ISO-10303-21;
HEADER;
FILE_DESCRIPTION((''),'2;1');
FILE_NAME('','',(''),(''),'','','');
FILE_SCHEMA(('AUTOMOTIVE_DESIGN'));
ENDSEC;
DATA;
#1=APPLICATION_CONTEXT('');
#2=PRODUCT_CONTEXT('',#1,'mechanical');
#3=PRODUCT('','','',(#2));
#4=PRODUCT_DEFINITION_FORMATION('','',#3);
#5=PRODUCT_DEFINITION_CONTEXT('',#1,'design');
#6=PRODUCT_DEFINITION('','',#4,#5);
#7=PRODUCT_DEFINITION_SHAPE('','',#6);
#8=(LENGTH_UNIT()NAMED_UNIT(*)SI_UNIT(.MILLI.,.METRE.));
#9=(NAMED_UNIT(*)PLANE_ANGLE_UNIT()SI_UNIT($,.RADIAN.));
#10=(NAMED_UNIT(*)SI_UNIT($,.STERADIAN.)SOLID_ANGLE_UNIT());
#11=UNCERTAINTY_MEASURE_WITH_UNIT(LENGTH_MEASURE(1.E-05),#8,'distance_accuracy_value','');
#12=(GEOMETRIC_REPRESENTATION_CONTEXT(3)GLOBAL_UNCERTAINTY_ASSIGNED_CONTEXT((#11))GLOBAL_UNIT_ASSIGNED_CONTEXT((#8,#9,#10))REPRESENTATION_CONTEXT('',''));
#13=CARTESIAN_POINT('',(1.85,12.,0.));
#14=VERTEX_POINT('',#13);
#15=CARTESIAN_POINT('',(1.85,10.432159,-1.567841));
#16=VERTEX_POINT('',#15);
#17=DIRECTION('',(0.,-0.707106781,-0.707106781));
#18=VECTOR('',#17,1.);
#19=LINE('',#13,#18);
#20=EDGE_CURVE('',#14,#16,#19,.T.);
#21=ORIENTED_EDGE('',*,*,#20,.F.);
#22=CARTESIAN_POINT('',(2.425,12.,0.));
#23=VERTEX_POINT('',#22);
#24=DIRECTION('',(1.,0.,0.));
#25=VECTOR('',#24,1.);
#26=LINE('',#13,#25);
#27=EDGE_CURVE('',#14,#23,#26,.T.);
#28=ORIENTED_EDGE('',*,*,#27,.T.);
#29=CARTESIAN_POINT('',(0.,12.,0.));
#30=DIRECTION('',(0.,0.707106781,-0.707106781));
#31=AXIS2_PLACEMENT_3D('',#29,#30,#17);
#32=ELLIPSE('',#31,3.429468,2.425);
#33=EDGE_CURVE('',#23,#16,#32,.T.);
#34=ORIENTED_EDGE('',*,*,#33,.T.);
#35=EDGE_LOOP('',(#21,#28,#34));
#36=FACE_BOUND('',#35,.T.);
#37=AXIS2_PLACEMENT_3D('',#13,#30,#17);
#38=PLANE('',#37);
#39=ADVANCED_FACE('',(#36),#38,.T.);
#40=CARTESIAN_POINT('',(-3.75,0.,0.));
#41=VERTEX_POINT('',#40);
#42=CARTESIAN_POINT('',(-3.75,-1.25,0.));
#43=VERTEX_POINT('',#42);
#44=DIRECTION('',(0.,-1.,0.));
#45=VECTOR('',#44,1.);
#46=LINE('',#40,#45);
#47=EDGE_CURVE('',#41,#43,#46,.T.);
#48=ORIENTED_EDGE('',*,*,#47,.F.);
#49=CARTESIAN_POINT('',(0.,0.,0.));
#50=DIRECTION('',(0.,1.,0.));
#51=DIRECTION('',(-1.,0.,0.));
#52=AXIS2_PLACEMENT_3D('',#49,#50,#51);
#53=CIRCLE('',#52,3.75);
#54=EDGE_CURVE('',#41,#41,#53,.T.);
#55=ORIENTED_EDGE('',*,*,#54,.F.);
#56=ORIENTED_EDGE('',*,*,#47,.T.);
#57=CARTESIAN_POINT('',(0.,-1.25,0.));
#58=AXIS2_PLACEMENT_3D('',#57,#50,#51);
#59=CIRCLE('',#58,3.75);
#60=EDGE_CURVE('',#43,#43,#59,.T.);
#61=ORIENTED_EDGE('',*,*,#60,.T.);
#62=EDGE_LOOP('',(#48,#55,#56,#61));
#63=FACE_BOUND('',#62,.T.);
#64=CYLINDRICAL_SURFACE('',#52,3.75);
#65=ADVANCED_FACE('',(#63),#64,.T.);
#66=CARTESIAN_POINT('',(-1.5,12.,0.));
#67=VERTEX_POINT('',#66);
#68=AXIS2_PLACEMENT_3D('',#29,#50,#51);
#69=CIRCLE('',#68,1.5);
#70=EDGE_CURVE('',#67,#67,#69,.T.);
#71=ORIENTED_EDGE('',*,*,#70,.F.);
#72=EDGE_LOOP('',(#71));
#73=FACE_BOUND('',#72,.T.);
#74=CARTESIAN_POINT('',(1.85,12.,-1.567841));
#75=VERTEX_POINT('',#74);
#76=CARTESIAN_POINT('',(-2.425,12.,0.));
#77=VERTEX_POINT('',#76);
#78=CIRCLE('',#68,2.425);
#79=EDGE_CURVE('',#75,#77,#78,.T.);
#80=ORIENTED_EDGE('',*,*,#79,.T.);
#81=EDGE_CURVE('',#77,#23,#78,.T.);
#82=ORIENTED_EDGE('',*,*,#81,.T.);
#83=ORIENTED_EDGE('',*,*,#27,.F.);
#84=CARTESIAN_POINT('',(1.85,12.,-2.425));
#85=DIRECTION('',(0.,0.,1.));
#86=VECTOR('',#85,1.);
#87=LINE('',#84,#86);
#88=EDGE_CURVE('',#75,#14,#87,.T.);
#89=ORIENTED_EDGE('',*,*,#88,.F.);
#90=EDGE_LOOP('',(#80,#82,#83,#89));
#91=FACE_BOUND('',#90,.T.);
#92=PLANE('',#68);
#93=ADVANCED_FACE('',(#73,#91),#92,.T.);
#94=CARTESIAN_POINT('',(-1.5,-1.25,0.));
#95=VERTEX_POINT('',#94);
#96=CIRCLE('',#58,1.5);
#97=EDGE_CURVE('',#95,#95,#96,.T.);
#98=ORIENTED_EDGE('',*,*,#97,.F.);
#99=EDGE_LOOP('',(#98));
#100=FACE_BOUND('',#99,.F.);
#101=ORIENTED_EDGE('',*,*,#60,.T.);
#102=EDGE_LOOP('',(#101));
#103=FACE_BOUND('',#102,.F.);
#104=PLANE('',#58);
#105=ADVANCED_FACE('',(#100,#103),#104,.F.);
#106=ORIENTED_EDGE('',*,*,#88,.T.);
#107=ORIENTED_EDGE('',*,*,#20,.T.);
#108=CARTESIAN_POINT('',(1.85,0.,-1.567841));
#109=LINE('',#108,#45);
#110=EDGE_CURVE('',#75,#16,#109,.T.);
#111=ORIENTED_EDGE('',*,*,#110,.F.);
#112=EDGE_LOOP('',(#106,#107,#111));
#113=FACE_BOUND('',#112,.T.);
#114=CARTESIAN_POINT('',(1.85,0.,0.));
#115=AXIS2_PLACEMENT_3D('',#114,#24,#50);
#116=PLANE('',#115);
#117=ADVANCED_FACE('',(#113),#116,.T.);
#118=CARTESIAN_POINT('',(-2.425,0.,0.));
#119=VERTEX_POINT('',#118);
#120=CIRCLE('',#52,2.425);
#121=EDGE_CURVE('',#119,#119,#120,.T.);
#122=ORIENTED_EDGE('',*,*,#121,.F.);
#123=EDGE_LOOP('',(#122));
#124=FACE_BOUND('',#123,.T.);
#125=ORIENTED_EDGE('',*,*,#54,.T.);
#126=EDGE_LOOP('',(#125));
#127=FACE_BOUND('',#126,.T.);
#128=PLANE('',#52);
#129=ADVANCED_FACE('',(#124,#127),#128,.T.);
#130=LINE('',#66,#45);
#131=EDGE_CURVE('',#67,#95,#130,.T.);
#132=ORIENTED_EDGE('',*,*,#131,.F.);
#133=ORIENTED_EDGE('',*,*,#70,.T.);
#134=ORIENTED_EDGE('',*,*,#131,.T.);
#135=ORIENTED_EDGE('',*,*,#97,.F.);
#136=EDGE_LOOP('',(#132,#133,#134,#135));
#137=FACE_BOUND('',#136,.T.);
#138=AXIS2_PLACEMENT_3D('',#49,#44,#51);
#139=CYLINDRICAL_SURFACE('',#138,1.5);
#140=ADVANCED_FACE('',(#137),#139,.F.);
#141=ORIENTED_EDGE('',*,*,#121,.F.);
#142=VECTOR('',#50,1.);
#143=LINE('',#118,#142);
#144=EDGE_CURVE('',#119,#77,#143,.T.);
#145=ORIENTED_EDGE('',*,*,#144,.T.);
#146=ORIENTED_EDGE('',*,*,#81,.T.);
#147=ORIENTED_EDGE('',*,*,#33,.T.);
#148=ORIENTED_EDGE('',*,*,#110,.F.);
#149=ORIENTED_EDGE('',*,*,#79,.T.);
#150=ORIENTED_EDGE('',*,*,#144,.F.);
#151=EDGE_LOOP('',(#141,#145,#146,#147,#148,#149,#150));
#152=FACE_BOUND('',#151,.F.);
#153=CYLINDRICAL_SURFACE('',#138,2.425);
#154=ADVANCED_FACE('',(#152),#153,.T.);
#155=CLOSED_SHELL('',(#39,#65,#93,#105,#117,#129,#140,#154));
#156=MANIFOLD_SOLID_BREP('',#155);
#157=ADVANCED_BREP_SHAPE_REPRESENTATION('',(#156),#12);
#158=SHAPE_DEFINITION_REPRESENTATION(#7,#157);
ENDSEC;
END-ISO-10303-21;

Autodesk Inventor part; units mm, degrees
ref_plane "XZ Plane" through (0, 0, 0) normal (0, 1, 0) x (-1, 0, 0)
ref_plane "XY Plane" through (0, 0, 0) normal (0, 0, 1) x (1, 0, 0)
sketch "Эскиз1" plane through (0, 0, 0) normal (0, 1, 0) x (-1, 0, 0)
  circle A0 centre (0, 0) radius 3.75
  circle A1 centre (0, 0) radius 2.425
  circle A2 centre (0, 0) radius 1.5
  dimension "d0" = 4.85
  dimension "d1" = 7.5
  dimension "d2" = 3
extrude "Выдавливание1" add sketch "Эскиз1" along normal blind 12 contours A1
extrude "Выдавливание2" add sketch "Эскиз1" against normal blind 1.25 contours A0 | A1
ref_plane "РабПлоскость1" through (1.85, 0, 0) normal (1, 0, 0) x (0, 1, 0)
sketch "Эскиз2" plane through (1.85, 0, 0) normal (1, 0, 0) x (0, 1, 0)
  line L0 (12, -2.425) -> (12, 2.425) projected
  line L1 (0, -2.425) -> (0, 2.425) projected
  line L2 (12, -2.425) -> (12, 2.425) projected
  line L3 (0, -2.425) -> (0, 2.425) projected
  line L4 (12, 0) -> (9.575, 2.425)
  line L5 (0, 2.425) -> (12, 2.425) projected
  line L6 (12, 0) -> (15.4295, 0) construction
  line L7 (9.575, 2.425) -> (12, 2.425)
  line L8 (12, 0) -> (9.575, -2.425)
  line L9 (0, -2.425) -> (12, -2.425) projected
  line L10 (12, 0) -> (15.4295, 0) construction
  point P0 (0, 0)
  dimension "d8" = 135
  dimension "d11" = 135
extrude "Выдавливание3" cut sketch "Эскиз2" along normal blind 10 contours L9 L8 L0
properties part number "Штырь правый"
